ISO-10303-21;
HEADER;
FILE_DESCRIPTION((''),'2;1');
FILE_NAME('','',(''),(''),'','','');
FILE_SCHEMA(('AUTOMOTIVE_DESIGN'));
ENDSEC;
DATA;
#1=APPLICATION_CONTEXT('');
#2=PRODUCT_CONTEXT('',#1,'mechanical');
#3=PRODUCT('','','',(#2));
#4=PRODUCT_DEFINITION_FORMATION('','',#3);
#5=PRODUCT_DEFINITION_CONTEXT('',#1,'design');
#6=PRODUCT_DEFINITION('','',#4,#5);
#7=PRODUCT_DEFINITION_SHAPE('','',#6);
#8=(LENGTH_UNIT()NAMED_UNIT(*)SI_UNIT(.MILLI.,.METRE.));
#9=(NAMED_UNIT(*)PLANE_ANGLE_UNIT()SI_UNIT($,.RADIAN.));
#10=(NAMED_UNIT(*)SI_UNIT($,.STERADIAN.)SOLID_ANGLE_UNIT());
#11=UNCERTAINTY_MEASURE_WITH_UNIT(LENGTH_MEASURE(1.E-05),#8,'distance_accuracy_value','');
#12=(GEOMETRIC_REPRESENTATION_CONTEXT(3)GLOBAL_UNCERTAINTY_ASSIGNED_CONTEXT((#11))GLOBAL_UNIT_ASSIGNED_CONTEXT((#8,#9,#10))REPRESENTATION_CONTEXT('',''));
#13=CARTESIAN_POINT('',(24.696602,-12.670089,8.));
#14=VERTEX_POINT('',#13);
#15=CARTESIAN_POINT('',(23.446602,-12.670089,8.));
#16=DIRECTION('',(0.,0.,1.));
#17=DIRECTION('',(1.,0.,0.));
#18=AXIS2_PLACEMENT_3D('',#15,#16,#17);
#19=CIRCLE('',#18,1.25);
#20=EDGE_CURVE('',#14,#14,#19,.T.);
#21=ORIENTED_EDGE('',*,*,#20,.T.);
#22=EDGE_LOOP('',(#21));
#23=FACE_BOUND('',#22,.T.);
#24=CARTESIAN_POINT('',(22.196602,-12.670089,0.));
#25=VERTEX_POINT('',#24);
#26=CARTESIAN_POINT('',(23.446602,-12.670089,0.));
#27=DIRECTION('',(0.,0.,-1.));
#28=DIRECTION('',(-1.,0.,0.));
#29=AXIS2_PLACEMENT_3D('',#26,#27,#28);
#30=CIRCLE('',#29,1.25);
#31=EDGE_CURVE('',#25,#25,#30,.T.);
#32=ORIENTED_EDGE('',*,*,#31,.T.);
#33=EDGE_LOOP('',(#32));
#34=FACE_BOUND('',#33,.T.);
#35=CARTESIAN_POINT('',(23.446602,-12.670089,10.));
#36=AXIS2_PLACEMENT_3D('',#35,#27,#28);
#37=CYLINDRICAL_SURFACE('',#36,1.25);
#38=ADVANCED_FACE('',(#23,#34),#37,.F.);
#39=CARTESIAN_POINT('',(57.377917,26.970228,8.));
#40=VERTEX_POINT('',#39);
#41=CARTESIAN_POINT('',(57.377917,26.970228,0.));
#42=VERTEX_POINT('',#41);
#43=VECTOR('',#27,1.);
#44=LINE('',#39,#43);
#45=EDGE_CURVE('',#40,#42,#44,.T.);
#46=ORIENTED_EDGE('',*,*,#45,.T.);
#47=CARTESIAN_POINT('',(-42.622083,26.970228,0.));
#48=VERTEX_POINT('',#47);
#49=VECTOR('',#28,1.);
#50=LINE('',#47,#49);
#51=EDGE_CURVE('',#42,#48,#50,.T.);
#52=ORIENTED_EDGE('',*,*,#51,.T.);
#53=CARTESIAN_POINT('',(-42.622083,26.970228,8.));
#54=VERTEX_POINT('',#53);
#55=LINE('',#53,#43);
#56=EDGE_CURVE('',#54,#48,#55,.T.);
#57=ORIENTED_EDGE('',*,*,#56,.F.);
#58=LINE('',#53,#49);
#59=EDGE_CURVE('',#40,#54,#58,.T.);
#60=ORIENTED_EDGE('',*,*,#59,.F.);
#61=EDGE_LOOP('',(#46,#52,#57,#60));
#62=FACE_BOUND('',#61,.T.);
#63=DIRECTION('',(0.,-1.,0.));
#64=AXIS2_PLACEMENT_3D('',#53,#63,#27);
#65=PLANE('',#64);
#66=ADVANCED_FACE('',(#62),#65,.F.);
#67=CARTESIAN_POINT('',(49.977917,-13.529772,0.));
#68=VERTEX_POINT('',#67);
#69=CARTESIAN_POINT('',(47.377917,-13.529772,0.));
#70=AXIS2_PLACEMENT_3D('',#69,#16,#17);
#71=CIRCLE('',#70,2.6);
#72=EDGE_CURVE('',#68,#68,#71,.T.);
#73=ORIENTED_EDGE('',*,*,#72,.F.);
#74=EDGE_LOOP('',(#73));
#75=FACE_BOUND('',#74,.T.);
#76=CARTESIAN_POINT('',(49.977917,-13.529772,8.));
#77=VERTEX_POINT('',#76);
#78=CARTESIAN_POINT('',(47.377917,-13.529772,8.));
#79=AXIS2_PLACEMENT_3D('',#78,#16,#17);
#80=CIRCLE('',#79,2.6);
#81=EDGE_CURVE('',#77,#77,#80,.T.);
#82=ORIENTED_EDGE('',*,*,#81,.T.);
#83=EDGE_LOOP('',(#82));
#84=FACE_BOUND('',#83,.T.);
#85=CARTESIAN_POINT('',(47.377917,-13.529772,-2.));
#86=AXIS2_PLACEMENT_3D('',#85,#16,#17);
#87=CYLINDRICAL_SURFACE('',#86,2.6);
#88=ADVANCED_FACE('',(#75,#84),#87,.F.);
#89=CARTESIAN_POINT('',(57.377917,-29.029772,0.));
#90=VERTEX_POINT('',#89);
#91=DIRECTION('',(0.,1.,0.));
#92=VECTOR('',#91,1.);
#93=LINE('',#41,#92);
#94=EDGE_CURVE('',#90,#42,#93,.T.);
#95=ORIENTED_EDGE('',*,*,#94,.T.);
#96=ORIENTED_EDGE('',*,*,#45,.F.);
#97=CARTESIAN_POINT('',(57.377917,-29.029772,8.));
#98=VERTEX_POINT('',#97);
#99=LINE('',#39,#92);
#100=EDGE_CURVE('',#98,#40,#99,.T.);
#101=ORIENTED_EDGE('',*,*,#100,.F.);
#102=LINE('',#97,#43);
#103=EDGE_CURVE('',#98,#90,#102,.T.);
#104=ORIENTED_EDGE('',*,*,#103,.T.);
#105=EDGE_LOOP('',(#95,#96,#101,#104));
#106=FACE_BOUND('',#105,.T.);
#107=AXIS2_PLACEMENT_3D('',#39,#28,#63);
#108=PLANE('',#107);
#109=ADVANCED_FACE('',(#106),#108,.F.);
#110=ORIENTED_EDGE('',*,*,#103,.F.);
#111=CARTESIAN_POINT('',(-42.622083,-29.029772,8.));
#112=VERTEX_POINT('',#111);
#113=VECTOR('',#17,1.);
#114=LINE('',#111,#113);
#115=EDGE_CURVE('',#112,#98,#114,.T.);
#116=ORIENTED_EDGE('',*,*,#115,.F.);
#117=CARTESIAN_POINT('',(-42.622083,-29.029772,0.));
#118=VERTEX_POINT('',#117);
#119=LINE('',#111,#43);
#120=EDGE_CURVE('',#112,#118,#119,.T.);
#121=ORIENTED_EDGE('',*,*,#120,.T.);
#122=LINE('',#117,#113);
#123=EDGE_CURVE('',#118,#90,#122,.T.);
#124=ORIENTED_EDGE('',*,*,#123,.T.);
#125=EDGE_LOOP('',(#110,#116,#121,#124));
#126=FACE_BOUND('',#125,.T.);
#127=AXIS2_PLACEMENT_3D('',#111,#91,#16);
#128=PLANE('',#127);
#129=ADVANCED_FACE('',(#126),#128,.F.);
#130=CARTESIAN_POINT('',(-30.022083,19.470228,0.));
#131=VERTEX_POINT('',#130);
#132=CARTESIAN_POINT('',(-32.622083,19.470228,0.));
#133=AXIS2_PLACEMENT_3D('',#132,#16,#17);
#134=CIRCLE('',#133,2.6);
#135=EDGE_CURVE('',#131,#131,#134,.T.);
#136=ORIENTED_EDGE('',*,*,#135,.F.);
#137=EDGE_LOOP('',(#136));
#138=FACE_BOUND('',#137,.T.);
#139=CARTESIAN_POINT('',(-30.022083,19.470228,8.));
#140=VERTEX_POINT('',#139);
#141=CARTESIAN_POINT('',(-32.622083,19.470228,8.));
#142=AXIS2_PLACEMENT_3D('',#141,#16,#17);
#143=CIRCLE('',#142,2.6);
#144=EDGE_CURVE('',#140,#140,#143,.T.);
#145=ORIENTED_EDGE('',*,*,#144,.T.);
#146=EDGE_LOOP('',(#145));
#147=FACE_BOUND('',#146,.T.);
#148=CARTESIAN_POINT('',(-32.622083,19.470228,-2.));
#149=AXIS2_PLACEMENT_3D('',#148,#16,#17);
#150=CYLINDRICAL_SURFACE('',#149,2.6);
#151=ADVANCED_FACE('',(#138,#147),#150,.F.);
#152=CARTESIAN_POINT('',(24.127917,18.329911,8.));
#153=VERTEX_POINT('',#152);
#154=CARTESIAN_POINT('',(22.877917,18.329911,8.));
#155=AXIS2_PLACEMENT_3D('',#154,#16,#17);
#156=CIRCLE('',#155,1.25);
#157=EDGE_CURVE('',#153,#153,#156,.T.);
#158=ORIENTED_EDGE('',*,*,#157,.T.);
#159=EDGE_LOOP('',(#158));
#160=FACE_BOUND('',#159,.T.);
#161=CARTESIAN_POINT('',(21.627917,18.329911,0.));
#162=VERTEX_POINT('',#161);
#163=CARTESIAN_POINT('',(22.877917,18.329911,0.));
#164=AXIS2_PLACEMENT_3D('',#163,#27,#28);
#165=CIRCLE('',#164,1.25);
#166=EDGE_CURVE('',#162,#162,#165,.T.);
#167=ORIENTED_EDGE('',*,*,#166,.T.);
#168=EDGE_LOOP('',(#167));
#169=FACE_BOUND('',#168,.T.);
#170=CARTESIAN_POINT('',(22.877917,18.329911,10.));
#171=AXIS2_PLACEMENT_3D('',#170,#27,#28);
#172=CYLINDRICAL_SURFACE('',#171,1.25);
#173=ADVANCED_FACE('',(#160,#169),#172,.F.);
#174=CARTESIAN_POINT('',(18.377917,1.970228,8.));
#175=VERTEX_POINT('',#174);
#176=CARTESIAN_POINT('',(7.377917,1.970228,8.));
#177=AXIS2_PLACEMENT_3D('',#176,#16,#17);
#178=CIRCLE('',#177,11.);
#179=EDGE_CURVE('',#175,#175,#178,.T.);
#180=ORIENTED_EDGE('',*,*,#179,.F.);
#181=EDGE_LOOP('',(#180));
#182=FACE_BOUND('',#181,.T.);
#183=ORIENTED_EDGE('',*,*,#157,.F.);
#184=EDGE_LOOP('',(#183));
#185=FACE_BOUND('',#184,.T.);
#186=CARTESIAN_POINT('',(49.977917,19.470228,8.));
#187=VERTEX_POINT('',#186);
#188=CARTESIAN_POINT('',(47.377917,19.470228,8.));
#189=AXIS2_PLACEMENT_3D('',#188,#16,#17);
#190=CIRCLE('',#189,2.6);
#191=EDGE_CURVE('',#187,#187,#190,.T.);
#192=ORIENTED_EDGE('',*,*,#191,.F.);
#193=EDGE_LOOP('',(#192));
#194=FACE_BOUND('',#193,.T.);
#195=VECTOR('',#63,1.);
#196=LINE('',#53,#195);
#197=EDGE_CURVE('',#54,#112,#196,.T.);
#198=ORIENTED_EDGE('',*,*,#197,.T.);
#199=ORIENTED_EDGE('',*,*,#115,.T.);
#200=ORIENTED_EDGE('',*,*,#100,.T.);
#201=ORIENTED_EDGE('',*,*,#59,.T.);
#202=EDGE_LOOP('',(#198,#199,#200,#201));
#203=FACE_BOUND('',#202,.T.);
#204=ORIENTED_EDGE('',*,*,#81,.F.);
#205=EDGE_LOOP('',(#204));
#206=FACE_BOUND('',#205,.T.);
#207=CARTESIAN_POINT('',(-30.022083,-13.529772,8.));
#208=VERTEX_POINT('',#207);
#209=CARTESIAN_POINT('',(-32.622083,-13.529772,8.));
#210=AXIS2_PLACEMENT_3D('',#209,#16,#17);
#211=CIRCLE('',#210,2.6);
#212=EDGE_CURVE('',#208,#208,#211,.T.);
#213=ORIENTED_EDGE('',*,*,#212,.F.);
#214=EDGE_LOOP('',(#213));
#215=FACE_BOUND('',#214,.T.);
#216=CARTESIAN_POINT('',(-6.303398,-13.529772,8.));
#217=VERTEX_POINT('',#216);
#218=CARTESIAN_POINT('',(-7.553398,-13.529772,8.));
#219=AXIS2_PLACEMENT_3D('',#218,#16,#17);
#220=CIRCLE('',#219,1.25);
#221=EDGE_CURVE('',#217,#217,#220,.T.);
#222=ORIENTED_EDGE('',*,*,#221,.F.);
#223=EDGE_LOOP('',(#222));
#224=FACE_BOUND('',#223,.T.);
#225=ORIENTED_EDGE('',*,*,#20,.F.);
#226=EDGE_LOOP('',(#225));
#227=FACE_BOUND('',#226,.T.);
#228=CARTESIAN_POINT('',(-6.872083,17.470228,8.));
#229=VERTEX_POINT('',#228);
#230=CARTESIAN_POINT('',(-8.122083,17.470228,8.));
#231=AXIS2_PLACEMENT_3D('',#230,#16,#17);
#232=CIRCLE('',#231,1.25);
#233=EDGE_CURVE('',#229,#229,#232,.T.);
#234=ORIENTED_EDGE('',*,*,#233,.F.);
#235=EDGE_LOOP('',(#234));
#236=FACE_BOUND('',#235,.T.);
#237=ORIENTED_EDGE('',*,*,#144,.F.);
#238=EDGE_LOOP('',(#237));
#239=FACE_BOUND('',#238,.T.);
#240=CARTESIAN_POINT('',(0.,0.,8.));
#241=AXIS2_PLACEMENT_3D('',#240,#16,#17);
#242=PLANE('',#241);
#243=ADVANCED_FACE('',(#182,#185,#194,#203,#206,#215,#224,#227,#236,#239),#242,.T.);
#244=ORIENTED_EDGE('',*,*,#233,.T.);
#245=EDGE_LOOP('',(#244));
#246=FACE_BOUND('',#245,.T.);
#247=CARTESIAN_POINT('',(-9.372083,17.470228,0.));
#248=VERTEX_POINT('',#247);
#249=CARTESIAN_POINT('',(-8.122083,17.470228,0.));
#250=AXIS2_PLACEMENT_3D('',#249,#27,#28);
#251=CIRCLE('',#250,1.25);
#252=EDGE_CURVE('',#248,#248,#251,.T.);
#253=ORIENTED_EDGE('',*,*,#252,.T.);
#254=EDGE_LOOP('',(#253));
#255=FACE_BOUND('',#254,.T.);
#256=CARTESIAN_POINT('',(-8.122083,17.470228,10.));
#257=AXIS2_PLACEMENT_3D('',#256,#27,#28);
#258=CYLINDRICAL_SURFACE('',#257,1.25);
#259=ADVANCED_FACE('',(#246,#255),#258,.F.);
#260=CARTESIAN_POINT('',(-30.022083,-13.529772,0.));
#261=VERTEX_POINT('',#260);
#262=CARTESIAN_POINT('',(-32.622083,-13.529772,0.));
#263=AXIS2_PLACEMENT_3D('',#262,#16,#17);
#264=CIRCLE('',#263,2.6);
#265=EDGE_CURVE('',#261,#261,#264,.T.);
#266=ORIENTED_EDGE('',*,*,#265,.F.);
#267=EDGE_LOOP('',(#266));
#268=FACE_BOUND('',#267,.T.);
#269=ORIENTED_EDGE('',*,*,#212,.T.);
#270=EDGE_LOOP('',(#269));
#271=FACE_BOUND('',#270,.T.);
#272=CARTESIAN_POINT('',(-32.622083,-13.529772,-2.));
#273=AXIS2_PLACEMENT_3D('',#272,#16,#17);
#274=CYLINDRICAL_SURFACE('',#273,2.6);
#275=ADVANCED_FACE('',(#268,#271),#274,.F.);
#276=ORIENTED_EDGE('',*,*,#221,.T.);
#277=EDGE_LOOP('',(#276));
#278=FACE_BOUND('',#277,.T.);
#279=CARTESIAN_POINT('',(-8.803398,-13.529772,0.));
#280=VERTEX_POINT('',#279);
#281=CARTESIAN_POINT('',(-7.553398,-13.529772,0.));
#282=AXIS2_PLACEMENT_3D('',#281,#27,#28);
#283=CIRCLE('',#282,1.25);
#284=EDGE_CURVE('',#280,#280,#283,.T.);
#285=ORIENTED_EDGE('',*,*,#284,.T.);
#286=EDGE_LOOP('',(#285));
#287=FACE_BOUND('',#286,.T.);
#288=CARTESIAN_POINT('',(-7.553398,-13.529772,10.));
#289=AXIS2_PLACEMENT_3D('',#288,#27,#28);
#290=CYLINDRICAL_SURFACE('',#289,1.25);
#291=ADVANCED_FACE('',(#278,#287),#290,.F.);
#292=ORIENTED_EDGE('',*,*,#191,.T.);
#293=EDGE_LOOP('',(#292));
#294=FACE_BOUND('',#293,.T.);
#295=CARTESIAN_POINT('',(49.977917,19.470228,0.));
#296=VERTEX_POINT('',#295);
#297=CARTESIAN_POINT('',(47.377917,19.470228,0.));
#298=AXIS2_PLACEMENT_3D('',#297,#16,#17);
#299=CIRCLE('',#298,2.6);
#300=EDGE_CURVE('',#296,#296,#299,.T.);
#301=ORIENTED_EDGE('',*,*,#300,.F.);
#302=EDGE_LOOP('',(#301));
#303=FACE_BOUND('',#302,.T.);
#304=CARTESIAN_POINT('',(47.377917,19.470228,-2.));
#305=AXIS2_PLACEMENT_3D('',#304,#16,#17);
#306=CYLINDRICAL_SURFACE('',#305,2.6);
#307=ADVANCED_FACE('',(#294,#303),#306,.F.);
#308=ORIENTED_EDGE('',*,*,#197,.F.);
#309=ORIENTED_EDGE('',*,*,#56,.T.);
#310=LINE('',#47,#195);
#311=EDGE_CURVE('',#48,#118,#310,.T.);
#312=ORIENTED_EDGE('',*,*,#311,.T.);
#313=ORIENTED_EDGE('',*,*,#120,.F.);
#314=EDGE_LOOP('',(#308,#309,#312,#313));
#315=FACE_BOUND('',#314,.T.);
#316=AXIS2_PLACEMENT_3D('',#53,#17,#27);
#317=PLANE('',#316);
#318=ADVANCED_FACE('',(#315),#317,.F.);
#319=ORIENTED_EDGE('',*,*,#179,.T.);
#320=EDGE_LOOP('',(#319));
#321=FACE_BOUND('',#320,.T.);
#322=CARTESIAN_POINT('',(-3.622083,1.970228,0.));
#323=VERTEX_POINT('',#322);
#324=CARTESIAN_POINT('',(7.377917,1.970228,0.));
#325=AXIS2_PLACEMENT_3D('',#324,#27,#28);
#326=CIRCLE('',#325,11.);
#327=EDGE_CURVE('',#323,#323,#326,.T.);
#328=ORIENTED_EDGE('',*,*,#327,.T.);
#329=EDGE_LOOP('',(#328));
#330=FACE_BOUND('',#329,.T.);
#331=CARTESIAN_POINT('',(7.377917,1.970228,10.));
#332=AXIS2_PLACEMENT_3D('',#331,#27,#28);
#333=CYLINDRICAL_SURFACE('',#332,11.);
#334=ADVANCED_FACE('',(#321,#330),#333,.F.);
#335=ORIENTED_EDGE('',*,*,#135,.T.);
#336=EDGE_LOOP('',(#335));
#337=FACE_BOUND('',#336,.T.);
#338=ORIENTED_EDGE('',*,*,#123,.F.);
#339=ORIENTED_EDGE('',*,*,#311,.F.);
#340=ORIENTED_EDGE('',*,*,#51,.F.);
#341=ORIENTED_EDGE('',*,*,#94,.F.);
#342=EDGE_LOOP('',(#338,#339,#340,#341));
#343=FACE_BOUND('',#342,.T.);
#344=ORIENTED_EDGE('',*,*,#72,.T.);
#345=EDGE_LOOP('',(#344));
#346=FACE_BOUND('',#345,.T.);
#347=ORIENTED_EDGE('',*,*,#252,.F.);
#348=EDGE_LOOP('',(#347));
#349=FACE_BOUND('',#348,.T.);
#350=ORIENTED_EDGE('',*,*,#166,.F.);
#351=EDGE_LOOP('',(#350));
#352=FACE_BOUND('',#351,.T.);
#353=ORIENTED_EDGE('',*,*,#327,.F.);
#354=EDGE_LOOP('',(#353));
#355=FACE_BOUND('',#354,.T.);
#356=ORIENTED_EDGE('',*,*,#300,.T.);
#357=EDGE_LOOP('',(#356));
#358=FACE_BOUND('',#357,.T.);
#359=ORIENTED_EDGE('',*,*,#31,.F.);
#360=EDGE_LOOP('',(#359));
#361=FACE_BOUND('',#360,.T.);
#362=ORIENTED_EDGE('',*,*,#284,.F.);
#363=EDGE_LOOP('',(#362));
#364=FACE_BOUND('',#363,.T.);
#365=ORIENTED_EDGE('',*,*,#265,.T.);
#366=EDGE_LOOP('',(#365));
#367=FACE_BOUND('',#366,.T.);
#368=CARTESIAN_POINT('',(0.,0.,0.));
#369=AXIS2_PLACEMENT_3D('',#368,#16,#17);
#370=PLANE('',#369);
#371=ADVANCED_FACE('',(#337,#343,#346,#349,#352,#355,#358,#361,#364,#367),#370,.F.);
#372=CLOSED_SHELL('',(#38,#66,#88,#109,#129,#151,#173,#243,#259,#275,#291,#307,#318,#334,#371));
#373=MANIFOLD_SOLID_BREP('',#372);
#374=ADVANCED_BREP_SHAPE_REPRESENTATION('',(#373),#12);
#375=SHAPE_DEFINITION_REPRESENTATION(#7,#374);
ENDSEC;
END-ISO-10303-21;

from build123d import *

# Parameters (mm, degrees)
IZIM1_W                     = 100
IZIM1_H                     = 56
IZIM1_R                     = 2.883504547
Y_KSEKLIK_EKSTR_ZYON1_DEPTH = 8
IZIM2_R                     = 11
IZIM2_R_2                   = 1.25
KES_EKSTR_ZYON1_DEPTH       = 10
IZIM3_R                     = 2.6
KES_EKSTR_ZYON2_DEPTH       = 10


with BuildPart() as part:
    # Çizim1 → Yükseklik-Ekstrüzyon1 (new body)
    with BuildSketch(Plane.XY):
        with Locations((7.377917159, -1.029772329)):
            Rectangle(IZIM1_W, IZIM1_H)
        with Locations((7.377917159, 1.970227671)):
            Circle(IZIM1_R, mode=Mode.SUBTRACT)
    extrude(amount=Y_KSEKLIK_EKSTR_ZYON1_DEPTH)

    # Çizim2 → Kes-Ekstrüzyon1 (cut)
    with BuildSketch(Plane(origin=(0, 0, 0), x_dir=(-1, 0, 0), z_dir=(0, 0, -1))):
        with Locations((-7.377917159, 1.970227671)):
            Circle(IZIM2_R)
        with Locations((8.122082841, 17.470227671)):
            Circle(IZIM2_R_2)
        with Locations((7.553397723, -13.529772329)):
            Circle(IZIM2_R_2)
        with Locations((-23.446602277, -12.670089489)):
            Circle(IZIM2_R_2)
        with Locations((-22.877917159, 18.329910511)):
            Circle(IZIM2_R_2)
    extrude(amount=-KES_EKSTR_ZYON1_DEPTH, mode=Mode.SUBTRACT)

    # Çizim3 → Kes-Ekstrüzyon2 (cut)
    with BuildSketch(Plane.XY.offset(8)):
        with Locations((-32.622082841, 19.470227671)):
            Circle(IZIM3_R)
        with Locations((47.377917159, 19.470227671)):
            Circle(IZIM3_R)
        with Locations((47.377917159, -13.529772329)):
            Circle(IZIM3_R)
        with Locations((-32.622082841, -13.529772329)):
            Circle(IZIM3_R)
    extrude(amount=-KES_EKSTR_ZYON2_DEPTH, mode=Mode.SUBTRACT)


solid = part.part
